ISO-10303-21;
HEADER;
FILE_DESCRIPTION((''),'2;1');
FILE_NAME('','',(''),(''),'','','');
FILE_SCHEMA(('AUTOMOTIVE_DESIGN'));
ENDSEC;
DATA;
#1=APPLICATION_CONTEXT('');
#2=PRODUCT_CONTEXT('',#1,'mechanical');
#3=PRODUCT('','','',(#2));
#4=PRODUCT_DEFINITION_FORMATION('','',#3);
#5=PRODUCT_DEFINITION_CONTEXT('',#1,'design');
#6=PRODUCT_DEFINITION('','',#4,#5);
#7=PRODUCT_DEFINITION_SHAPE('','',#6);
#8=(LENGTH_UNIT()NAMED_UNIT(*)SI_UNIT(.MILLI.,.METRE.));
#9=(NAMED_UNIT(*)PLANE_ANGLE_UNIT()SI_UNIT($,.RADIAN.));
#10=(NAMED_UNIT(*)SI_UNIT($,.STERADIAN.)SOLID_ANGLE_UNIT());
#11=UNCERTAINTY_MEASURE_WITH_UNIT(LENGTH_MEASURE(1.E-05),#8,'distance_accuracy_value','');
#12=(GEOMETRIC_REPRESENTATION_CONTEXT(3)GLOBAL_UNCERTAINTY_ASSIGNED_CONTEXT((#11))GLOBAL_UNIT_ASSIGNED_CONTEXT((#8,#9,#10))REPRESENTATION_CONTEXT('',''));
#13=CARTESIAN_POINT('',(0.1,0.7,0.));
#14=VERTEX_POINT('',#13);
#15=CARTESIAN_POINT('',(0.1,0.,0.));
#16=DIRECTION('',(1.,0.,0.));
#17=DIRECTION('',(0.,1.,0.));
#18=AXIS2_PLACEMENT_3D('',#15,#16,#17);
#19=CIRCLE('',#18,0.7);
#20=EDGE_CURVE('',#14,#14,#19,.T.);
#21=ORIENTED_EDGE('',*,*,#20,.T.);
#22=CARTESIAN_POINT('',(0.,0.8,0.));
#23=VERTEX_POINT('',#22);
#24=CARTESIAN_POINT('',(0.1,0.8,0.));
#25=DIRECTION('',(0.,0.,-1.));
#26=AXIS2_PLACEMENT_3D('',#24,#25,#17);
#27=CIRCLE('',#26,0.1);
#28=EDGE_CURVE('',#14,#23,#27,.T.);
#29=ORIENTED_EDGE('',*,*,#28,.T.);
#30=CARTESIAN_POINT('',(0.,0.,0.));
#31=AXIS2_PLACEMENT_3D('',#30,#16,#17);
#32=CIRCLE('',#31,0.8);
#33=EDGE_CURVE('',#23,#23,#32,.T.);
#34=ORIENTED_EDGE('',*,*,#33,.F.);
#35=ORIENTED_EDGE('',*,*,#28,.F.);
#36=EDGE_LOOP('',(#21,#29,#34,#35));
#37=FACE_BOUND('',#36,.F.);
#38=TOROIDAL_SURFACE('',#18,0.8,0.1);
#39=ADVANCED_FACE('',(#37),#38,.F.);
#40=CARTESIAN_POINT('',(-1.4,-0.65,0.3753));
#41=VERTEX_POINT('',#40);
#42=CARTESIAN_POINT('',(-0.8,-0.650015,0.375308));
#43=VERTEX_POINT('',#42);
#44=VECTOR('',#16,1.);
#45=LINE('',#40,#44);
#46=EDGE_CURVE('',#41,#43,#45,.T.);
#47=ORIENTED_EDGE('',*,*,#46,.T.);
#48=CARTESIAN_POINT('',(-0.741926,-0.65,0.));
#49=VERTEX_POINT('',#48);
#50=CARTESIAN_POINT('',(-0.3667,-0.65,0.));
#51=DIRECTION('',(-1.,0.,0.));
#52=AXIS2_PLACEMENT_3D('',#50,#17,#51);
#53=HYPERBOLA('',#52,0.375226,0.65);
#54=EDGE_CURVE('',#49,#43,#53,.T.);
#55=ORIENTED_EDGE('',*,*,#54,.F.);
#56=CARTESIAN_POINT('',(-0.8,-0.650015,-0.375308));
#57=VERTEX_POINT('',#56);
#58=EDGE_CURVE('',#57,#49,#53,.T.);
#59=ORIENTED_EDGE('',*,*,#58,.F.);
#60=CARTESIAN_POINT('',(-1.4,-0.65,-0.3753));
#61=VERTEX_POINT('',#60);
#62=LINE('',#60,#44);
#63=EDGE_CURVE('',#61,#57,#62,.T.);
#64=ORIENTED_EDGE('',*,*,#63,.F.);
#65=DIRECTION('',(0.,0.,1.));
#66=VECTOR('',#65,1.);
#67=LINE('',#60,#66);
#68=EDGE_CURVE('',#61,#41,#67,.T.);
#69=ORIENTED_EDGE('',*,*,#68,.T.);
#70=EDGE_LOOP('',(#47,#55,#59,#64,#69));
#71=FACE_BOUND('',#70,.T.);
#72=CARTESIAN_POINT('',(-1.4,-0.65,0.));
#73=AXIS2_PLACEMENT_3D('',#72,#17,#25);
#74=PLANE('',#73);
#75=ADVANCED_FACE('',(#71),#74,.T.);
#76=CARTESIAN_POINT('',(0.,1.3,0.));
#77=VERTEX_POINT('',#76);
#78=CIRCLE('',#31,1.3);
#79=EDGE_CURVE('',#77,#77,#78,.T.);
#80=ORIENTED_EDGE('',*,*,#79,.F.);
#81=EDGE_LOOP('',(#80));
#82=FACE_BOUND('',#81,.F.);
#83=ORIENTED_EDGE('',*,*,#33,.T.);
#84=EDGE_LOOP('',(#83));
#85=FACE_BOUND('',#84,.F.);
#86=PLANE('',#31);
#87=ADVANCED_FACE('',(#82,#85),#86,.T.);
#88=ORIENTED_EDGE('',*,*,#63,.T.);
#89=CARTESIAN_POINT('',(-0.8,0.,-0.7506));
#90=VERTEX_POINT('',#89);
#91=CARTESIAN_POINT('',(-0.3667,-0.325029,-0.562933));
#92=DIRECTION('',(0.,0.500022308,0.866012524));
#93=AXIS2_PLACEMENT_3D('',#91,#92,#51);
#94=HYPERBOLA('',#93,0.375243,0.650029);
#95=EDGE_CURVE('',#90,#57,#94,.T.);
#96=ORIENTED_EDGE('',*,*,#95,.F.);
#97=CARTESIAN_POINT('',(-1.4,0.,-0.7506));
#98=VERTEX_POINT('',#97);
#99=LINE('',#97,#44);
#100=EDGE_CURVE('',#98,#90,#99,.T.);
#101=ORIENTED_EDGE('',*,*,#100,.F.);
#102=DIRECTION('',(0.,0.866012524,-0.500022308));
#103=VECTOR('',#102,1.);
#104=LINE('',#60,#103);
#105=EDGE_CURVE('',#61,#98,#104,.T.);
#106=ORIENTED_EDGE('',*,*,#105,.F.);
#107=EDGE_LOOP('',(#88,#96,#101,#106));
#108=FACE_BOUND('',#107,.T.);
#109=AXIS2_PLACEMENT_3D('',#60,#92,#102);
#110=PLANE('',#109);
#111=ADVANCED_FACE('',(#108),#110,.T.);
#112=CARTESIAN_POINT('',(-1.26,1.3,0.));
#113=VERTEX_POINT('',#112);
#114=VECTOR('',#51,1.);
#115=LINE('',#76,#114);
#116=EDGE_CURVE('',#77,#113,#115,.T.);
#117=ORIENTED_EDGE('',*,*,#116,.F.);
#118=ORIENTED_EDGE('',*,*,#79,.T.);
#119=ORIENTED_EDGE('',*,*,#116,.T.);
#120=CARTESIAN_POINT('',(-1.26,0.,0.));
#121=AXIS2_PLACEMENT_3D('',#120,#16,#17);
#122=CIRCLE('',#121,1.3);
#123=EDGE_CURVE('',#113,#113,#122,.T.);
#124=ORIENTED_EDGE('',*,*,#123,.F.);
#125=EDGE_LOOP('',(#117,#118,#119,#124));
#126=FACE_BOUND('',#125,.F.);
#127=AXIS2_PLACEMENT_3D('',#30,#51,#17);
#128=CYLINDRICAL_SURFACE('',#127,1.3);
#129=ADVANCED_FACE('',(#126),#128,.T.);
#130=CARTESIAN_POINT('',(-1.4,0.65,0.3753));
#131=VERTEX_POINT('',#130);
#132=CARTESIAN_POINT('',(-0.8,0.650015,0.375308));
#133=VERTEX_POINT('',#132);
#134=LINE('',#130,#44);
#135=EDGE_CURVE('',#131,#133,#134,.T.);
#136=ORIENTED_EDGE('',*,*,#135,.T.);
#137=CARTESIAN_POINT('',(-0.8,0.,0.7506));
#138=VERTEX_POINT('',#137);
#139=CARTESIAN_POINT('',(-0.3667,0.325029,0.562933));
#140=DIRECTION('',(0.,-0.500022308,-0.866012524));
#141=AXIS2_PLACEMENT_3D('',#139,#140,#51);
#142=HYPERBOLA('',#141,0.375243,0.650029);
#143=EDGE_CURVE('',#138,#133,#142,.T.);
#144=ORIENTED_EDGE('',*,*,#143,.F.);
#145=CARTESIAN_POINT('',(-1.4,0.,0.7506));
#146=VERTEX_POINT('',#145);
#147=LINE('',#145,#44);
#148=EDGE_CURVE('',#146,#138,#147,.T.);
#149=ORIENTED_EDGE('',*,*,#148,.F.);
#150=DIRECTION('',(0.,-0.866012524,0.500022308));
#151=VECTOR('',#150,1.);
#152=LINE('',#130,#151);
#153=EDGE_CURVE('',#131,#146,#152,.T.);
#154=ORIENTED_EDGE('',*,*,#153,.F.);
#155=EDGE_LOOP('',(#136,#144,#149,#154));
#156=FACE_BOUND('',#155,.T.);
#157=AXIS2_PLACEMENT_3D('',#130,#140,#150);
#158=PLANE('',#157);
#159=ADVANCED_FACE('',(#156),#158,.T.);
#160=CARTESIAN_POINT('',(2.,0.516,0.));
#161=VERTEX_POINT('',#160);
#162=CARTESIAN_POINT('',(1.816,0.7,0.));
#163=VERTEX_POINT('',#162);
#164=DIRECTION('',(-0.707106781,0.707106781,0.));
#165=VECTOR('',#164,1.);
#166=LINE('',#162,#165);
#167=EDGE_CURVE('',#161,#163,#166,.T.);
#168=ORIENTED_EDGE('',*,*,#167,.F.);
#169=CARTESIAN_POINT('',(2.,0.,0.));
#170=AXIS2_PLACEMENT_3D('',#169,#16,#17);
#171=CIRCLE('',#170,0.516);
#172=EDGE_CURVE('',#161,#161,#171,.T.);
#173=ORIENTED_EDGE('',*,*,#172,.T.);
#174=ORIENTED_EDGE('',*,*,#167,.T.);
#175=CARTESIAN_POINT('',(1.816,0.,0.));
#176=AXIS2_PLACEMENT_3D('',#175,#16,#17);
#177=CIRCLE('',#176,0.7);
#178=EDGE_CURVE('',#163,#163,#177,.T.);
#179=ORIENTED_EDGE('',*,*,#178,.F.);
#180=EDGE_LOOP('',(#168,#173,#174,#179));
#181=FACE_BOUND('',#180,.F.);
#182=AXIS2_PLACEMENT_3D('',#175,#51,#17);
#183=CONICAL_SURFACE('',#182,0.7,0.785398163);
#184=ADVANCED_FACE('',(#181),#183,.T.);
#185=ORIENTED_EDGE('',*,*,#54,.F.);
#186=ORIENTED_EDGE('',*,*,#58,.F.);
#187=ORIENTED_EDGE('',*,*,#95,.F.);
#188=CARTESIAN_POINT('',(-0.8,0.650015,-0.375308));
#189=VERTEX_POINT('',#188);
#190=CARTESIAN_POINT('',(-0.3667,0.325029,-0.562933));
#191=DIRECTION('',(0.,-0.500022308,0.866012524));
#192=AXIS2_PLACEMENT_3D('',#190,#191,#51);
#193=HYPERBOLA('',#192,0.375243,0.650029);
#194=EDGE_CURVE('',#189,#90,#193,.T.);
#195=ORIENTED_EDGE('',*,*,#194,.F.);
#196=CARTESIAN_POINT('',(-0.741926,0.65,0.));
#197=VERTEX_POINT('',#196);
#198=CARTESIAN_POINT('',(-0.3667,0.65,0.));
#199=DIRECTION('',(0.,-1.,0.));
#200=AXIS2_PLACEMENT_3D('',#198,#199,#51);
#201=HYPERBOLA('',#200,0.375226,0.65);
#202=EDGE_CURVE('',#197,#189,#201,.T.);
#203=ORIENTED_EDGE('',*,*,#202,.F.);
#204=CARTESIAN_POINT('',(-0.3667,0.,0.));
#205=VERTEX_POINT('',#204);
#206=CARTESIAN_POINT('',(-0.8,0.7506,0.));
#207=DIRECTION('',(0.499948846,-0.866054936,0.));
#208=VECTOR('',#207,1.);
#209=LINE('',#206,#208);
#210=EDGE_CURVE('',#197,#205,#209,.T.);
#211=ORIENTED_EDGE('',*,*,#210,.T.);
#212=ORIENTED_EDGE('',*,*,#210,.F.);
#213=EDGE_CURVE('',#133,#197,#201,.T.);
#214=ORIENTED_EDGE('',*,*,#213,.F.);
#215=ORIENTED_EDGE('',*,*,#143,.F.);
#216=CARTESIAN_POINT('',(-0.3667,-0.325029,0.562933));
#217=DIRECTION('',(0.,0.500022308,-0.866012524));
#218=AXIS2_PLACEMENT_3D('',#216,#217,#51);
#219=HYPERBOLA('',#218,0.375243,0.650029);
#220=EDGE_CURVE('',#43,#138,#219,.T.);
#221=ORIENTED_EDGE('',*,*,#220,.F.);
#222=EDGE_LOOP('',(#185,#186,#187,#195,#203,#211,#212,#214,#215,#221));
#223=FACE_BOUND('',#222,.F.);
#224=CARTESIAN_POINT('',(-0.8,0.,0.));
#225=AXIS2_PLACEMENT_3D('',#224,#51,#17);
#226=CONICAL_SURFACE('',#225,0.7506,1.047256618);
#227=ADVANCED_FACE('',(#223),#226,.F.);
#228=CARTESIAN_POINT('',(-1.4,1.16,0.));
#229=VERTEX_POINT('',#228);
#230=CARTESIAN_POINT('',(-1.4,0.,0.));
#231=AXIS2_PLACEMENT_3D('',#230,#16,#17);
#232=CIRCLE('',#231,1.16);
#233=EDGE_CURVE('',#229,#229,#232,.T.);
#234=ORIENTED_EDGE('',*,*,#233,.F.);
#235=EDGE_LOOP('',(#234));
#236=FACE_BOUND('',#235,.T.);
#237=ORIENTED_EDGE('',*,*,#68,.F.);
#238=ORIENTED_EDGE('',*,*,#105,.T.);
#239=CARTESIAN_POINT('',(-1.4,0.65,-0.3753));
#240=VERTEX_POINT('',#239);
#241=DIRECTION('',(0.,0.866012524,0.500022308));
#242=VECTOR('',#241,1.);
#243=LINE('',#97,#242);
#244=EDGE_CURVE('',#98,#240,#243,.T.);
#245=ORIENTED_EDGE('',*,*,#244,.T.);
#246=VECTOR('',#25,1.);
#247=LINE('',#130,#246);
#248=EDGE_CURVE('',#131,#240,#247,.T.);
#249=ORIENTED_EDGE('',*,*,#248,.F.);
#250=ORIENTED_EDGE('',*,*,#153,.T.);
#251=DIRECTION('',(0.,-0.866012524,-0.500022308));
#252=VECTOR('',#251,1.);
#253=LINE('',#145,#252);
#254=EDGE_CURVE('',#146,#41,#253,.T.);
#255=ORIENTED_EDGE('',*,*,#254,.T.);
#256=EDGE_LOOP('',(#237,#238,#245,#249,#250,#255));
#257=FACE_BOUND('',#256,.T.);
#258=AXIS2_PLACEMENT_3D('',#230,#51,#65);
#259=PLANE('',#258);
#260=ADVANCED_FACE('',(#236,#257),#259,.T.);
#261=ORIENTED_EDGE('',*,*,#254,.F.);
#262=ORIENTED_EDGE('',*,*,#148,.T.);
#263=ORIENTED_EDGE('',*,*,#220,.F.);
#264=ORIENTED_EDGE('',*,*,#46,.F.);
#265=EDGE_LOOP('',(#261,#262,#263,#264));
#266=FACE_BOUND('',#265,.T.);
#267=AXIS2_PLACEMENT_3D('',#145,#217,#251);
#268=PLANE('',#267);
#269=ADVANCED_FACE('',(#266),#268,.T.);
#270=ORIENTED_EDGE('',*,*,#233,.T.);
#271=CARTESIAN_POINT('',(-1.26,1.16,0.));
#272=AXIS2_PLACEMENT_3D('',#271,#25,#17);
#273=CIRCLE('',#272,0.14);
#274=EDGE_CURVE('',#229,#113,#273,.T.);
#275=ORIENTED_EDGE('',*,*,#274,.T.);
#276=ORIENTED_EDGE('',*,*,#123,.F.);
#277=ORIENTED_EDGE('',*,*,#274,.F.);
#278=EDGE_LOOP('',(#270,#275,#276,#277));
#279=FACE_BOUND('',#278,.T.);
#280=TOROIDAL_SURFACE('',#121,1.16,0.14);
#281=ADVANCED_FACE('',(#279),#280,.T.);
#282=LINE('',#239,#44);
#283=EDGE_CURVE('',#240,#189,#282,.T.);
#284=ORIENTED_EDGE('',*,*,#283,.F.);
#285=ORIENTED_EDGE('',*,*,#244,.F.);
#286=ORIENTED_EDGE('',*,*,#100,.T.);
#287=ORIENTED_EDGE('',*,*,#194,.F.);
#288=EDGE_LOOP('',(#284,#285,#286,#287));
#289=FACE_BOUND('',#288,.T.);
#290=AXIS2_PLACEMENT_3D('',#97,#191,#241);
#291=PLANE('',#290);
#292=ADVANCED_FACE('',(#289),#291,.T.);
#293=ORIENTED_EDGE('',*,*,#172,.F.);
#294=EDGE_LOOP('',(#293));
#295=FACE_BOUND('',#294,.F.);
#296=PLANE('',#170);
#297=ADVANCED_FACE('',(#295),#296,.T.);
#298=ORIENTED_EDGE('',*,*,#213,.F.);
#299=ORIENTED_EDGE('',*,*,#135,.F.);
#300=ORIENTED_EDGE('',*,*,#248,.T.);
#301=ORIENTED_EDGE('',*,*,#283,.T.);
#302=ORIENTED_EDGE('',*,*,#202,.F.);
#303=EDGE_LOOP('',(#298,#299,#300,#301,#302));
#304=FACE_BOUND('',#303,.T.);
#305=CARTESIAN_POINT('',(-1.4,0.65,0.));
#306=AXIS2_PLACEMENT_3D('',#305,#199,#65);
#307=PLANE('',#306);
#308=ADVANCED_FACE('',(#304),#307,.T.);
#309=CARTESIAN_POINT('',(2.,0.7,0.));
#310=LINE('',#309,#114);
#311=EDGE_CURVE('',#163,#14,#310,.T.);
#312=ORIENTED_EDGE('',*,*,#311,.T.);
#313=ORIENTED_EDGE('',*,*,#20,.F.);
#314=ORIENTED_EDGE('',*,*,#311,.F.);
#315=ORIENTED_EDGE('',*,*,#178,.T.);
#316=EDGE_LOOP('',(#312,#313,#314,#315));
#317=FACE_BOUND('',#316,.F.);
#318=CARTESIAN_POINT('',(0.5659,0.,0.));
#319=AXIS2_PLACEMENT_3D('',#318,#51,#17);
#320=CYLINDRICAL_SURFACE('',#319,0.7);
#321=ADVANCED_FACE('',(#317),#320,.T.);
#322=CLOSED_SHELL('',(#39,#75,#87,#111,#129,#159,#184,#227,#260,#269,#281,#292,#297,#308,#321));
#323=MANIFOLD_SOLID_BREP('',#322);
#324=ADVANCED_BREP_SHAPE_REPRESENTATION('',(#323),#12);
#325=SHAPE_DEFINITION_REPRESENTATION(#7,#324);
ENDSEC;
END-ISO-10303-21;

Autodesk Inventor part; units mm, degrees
ref_plane "YZ Plane" through (0, 0, 0) normal (1, 0, 0) x (0, 1, 0)
ref_plane "XZ Plane" through (0, 0, 0) normal (0, 1, 0) x (-1, 0, 0)
sketch "Skizze1" plane through (0, 0, 0) normal (0, 0, 1) x (1, 0, 0)
  line L0 (-0.3667, 0) -> (2, 0)
  line L1 (2, 0) -> (2, 0.7)
  line L2 (2, 0.7) -> (0.75, 0.7)
  line L3 (0.75, 0.7) -> (0.5659, 0.7)
  line L4 (0.5659, 0.7) -> (0, 0.7)
  line L5 (0, 0.7) -> (0, 1.3)
  line L6 (0, 1.3) -> (-1.4, 1.3)
  line L7 (-1.4, 1.3) -> (-1.4, 0.7506)
  line L8 (-1.4, 0.7506) -> (-0.8, 0.7506)
  line L9 (-0.8, 0.7506) -> (-0.3667, 0)
  line L10 (-2.08, 0) -> (2.68, 0) projected
  line L11 (0, -0.26) -> (0, 1.56) projected
  line L12 (0.75, 0.7) -> (0, 0.7) construction
  dimension "d1" = 1.25
  dimension "d2" = 0.1841
  dimension "d3" = 1.4
  dimension "d4" = 0.6
  dimension "d5" = 60
  dimension "d6" = 1.4
  dimension "d7" = 1.4
  dimension "d8" = 1.5011
  dimension "d9" = 2.6
  dimension "d26" = 2
revolve "Körper" add sketch "Skizze1" angle 360 about axis through (-0.3667, 0, 0) along (1, 0, 0)
sketch "Skizze2" plane through (-1.4, 0, 0) normal (-1, 0, 0) x (0, 0, 1)
  circle A0 centre (0, 0) radius 0.7506 projected
  line L0 (0, -1.82) -> (0, 1.82) projected
  line L1 (-1.82, 0) -> (1.82, 0) projected
  line L2 (0.7506, 0) -> (0.3753, -0.65)
  line L3 (0.3753, -0.65) -> (-0.3753, -0.65)
  line L4 (-0.3753, -0.65) -> (-0.7506, 0)
  line L5 (-0.7506, 0) -> (-0.3753, 0.65)
  line L6 (-0.3753, 0.65) -> (0.3753, 0.65)
  line L7 (0.3753, 0.65) -> (0.7506, 0)
extrude "Loch" add sketch "Skizze2" against normal up to next contours L7 A0 | A0 L2 | L6 L0 A0 | A0 L0 L3 | L0 L6 A0 | A0 L3 L0 | L4 A0 | A0 L5
fillet "Rundung1" radius 0.14 1 edges at (-1.4, -1.3, 0)
thread "Gewinde" size "M1.4x0.3" class "6g" standard "ISO Metric profile" length 1.25
chamfer "Fase1" distance 0.184 distance2 0.184 1 edges at (2, -0.7, 0) measured on face at (2, -0.4907, -0.0634)
ref_plane "Work Plane1" through (29, 0, 0) normal (0, -1, 0) x (1, 0, 0)
fillet "Fillet2" radius 0.1 1 edges at (0, -0.7, 0)
equation "\"d1\" = GEL"
equation "\"d3\" = KOH"
equation "\"d4\" = INTI"
equation "\"d6\" = GD"
equation "\"d7\" = BDM"
equation "\"d8\" = 1.1547 * SW"
equation "\"d9\" = KOD"
equation "\"d26\" = NLG"
equation "\"d30\" = R"
equation "\"d17\" = RR"
equation "\"d13\" = GEL"
equation "\"d15\" = -0.5 * SPD + 0.5 * GD"
equation "\"d16\" = GUL"
equation "\"GD\" = NND"
equation "\"NLG\" = 2"
equation "\"GEL\" = 1.25"
equation "\"KOD\" = 2.6"
equation "\"KOH\" = 1.4"
equation "\"INTI\" = 0.6"
equation "\"GAL\" = 0.61345 * PTC"
equation "\"GUL\" = 0.61345 * PTC"
equation "\"BDM\" = NND"
equation "\"SW\" = 1.3"
equation "\"RR\" = 0.14"
equation "\"SPD\" = NND - 1.2269 * PTC"
equation "\"R\" = 0.1"
equation "\"TOA\" = 30deg"
equation "\"GD1\" = THREADDIA - 1.2269 * PTC"
equation "\"THREADDIA\" = 1.4"
equation "\"FAWI\" = 45deg"
equation "\"ANG\" = 120deg"
equation "\"PTC\" = 0.3"
equation "\"NND\" = 1.4"
equation "\"E0\" = 1.155 * SW"
properties part number "DIN 912 - M1,4 x 2" material "Stahl, weich"
